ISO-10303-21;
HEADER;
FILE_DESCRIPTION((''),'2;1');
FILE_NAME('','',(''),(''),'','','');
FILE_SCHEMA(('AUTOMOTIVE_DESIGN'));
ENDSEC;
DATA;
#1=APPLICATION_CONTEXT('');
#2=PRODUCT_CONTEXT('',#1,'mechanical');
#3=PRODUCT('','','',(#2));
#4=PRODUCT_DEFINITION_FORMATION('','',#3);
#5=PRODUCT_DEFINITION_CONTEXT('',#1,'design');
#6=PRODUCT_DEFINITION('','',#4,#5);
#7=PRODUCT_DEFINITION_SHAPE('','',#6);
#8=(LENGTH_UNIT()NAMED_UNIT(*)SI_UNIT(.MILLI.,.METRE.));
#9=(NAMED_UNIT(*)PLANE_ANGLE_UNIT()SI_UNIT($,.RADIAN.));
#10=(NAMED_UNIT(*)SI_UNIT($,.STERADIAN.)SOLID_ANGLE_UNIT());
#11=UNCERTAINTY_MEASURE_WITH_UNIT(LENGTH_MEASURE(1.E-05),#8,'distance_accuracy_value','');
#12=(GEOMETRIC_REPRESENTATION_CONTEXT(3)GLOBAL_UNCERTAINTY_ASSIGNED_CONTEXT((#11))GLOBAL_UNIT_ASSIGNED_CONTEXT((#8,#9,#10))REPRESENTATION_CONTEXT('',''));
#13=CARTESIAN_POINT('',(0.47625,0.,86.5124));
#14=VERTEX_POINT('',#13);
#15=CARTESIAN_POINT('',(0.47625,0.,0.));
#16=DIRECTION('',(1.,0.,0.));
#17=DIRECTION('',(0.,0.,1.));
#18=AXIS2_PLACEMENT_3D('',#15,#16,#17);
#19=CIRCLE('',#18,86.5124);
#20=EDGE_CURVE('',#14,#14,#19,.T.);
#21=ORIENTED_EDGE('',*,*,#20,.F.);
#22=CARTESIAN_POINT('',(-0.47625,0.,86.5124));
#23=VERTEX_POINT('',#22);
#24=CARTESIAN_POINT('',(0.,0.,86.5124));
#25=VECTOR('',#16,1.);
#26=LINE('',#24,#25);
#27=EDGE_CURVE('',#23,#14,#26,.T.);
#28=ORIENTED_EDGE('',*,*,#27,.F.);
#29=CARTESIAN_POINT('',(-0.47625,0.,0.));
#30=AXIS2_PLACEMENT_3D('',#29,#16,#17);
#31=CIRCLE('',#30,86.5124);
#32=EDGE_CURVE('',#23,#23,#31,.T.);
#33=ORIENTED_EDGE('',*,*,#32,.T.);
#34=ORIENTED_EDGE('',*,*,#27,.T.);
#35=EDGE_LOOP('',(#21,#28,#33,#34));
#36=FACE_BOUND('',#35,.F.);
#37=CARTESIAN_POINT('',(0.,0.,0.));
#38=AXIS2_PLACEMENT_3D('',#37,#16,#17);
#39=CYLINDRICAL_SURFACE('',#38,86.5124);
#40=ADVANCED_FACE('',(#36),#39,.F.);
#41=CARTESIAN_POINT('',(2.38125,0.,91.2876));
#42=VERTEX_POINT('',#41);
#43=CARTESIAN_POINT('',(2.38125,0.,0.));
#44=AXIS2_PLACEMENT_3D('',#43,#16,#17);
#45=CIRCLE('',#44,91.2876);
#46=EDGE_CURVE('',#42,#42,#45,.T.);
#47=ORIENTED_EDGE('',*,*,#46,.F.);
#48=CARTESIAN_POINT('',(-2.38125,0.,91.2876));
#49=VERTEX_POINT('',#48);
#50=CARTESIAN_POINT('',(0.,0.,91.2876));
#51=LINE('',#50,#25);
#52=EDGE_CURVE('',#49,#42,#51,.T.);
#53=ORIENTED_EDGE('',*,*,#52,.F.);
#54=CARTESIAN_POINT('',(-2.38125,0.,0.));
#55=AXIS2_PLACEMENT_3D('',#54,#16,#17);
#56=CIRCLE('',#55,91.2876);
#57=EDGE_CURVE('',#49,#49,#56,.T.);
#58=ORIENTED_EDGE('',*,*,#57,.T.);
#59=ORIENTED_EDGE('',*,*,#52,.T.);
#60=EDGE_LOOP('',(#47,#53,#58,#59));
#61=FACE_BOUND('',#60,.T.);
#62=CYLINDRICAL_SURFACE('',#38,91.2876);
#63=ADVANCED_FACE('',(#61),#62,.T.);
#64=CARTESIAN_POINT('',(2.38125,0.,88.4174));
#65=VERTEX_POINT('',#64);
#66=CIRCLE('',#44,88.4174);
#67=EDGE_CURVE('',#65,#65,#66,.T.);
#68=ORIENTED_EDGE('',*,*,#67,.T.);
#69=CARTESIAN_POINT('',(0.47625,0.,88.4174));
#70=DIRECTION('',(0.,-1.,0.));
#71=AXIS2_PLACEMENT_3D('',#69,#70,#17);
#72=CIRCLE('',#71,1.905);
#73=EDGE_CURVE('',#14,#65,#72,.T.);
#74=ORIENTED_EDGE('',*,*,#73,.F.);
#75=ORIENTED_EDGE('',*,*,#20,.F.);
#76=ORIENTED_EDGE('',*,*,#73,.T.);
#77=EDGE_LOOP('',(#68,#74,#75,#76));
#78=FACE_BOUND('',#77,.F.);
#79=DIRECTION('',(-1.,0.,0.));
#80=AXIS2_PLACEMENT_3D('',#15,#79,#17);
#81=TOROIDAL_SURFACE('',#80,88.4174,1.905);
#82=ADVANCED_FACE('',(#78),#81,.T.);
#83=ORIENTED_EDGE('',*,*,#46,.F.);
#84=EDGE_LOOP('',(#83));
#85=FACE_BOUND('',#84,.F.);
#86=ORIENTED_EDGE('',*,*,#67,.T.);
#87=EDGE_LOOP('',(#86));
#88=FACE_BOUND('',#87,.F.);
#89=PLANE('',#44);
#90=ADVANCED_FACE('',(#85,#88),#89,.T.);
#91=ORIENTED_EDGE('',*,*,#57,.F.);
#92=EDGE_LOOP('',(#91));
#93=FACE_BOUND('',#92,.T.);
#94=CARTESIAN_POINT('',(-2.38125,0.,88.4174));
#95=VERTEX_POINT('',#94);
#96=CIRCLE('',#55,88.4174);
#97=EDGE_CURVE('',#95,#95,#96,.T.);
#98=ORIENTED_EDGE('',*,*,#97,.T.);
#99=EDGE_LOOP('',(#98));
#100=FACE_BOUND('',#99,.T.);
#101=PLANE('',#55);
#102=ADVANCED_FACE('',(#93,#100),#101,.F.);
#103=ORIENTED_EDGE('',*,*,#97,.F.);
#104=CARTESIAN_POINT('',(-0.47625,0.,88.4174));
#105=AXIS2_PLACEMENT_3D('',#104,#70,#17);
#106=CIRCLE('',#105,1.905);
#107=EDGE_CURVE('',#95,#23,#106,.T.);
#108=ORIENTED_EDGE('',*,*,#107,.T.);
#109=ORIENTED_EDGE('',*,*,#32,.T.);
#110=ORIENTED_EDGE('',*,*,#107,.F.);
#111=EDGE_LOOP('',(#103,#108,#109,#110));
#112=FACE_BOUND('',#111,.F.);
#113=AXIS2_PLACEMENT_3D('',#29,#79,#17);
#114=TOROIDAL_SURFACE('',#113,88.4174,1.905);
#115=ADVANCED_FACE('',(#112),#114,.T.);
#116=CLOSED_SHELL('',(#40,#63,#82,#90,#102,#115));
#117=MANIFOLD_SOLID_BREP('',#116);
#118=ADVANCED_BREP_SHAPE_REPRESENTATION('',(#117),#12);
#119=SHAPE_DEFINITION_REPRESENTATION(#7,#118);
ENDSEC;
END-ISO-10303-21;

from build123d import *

# Parameters (mm, degrees)
F0_W = 4.7625
F0_H = 4.7752
F2_R = 1.905


with BuildPart() as f1:
    # F0 (on Front) → F1 (revolve)
    with BuildSketch(Plane.XZ):
        with Locations((0, 88.9)):
            Rectangle(F0_W, F0_H)
    revolve(axis=Axis((0.162907, 0, 0), (1, 0, 0)))

    # F2
    f2_edges = [f1.edges().sort_by_distance(p)[0] for p in [
        (2.38125, 0, -86.5124),
        (-2.38125, 0, -86.5124),
    ]]
    fillet(f2_edges, radius=F2_R)


solid = f1.part
